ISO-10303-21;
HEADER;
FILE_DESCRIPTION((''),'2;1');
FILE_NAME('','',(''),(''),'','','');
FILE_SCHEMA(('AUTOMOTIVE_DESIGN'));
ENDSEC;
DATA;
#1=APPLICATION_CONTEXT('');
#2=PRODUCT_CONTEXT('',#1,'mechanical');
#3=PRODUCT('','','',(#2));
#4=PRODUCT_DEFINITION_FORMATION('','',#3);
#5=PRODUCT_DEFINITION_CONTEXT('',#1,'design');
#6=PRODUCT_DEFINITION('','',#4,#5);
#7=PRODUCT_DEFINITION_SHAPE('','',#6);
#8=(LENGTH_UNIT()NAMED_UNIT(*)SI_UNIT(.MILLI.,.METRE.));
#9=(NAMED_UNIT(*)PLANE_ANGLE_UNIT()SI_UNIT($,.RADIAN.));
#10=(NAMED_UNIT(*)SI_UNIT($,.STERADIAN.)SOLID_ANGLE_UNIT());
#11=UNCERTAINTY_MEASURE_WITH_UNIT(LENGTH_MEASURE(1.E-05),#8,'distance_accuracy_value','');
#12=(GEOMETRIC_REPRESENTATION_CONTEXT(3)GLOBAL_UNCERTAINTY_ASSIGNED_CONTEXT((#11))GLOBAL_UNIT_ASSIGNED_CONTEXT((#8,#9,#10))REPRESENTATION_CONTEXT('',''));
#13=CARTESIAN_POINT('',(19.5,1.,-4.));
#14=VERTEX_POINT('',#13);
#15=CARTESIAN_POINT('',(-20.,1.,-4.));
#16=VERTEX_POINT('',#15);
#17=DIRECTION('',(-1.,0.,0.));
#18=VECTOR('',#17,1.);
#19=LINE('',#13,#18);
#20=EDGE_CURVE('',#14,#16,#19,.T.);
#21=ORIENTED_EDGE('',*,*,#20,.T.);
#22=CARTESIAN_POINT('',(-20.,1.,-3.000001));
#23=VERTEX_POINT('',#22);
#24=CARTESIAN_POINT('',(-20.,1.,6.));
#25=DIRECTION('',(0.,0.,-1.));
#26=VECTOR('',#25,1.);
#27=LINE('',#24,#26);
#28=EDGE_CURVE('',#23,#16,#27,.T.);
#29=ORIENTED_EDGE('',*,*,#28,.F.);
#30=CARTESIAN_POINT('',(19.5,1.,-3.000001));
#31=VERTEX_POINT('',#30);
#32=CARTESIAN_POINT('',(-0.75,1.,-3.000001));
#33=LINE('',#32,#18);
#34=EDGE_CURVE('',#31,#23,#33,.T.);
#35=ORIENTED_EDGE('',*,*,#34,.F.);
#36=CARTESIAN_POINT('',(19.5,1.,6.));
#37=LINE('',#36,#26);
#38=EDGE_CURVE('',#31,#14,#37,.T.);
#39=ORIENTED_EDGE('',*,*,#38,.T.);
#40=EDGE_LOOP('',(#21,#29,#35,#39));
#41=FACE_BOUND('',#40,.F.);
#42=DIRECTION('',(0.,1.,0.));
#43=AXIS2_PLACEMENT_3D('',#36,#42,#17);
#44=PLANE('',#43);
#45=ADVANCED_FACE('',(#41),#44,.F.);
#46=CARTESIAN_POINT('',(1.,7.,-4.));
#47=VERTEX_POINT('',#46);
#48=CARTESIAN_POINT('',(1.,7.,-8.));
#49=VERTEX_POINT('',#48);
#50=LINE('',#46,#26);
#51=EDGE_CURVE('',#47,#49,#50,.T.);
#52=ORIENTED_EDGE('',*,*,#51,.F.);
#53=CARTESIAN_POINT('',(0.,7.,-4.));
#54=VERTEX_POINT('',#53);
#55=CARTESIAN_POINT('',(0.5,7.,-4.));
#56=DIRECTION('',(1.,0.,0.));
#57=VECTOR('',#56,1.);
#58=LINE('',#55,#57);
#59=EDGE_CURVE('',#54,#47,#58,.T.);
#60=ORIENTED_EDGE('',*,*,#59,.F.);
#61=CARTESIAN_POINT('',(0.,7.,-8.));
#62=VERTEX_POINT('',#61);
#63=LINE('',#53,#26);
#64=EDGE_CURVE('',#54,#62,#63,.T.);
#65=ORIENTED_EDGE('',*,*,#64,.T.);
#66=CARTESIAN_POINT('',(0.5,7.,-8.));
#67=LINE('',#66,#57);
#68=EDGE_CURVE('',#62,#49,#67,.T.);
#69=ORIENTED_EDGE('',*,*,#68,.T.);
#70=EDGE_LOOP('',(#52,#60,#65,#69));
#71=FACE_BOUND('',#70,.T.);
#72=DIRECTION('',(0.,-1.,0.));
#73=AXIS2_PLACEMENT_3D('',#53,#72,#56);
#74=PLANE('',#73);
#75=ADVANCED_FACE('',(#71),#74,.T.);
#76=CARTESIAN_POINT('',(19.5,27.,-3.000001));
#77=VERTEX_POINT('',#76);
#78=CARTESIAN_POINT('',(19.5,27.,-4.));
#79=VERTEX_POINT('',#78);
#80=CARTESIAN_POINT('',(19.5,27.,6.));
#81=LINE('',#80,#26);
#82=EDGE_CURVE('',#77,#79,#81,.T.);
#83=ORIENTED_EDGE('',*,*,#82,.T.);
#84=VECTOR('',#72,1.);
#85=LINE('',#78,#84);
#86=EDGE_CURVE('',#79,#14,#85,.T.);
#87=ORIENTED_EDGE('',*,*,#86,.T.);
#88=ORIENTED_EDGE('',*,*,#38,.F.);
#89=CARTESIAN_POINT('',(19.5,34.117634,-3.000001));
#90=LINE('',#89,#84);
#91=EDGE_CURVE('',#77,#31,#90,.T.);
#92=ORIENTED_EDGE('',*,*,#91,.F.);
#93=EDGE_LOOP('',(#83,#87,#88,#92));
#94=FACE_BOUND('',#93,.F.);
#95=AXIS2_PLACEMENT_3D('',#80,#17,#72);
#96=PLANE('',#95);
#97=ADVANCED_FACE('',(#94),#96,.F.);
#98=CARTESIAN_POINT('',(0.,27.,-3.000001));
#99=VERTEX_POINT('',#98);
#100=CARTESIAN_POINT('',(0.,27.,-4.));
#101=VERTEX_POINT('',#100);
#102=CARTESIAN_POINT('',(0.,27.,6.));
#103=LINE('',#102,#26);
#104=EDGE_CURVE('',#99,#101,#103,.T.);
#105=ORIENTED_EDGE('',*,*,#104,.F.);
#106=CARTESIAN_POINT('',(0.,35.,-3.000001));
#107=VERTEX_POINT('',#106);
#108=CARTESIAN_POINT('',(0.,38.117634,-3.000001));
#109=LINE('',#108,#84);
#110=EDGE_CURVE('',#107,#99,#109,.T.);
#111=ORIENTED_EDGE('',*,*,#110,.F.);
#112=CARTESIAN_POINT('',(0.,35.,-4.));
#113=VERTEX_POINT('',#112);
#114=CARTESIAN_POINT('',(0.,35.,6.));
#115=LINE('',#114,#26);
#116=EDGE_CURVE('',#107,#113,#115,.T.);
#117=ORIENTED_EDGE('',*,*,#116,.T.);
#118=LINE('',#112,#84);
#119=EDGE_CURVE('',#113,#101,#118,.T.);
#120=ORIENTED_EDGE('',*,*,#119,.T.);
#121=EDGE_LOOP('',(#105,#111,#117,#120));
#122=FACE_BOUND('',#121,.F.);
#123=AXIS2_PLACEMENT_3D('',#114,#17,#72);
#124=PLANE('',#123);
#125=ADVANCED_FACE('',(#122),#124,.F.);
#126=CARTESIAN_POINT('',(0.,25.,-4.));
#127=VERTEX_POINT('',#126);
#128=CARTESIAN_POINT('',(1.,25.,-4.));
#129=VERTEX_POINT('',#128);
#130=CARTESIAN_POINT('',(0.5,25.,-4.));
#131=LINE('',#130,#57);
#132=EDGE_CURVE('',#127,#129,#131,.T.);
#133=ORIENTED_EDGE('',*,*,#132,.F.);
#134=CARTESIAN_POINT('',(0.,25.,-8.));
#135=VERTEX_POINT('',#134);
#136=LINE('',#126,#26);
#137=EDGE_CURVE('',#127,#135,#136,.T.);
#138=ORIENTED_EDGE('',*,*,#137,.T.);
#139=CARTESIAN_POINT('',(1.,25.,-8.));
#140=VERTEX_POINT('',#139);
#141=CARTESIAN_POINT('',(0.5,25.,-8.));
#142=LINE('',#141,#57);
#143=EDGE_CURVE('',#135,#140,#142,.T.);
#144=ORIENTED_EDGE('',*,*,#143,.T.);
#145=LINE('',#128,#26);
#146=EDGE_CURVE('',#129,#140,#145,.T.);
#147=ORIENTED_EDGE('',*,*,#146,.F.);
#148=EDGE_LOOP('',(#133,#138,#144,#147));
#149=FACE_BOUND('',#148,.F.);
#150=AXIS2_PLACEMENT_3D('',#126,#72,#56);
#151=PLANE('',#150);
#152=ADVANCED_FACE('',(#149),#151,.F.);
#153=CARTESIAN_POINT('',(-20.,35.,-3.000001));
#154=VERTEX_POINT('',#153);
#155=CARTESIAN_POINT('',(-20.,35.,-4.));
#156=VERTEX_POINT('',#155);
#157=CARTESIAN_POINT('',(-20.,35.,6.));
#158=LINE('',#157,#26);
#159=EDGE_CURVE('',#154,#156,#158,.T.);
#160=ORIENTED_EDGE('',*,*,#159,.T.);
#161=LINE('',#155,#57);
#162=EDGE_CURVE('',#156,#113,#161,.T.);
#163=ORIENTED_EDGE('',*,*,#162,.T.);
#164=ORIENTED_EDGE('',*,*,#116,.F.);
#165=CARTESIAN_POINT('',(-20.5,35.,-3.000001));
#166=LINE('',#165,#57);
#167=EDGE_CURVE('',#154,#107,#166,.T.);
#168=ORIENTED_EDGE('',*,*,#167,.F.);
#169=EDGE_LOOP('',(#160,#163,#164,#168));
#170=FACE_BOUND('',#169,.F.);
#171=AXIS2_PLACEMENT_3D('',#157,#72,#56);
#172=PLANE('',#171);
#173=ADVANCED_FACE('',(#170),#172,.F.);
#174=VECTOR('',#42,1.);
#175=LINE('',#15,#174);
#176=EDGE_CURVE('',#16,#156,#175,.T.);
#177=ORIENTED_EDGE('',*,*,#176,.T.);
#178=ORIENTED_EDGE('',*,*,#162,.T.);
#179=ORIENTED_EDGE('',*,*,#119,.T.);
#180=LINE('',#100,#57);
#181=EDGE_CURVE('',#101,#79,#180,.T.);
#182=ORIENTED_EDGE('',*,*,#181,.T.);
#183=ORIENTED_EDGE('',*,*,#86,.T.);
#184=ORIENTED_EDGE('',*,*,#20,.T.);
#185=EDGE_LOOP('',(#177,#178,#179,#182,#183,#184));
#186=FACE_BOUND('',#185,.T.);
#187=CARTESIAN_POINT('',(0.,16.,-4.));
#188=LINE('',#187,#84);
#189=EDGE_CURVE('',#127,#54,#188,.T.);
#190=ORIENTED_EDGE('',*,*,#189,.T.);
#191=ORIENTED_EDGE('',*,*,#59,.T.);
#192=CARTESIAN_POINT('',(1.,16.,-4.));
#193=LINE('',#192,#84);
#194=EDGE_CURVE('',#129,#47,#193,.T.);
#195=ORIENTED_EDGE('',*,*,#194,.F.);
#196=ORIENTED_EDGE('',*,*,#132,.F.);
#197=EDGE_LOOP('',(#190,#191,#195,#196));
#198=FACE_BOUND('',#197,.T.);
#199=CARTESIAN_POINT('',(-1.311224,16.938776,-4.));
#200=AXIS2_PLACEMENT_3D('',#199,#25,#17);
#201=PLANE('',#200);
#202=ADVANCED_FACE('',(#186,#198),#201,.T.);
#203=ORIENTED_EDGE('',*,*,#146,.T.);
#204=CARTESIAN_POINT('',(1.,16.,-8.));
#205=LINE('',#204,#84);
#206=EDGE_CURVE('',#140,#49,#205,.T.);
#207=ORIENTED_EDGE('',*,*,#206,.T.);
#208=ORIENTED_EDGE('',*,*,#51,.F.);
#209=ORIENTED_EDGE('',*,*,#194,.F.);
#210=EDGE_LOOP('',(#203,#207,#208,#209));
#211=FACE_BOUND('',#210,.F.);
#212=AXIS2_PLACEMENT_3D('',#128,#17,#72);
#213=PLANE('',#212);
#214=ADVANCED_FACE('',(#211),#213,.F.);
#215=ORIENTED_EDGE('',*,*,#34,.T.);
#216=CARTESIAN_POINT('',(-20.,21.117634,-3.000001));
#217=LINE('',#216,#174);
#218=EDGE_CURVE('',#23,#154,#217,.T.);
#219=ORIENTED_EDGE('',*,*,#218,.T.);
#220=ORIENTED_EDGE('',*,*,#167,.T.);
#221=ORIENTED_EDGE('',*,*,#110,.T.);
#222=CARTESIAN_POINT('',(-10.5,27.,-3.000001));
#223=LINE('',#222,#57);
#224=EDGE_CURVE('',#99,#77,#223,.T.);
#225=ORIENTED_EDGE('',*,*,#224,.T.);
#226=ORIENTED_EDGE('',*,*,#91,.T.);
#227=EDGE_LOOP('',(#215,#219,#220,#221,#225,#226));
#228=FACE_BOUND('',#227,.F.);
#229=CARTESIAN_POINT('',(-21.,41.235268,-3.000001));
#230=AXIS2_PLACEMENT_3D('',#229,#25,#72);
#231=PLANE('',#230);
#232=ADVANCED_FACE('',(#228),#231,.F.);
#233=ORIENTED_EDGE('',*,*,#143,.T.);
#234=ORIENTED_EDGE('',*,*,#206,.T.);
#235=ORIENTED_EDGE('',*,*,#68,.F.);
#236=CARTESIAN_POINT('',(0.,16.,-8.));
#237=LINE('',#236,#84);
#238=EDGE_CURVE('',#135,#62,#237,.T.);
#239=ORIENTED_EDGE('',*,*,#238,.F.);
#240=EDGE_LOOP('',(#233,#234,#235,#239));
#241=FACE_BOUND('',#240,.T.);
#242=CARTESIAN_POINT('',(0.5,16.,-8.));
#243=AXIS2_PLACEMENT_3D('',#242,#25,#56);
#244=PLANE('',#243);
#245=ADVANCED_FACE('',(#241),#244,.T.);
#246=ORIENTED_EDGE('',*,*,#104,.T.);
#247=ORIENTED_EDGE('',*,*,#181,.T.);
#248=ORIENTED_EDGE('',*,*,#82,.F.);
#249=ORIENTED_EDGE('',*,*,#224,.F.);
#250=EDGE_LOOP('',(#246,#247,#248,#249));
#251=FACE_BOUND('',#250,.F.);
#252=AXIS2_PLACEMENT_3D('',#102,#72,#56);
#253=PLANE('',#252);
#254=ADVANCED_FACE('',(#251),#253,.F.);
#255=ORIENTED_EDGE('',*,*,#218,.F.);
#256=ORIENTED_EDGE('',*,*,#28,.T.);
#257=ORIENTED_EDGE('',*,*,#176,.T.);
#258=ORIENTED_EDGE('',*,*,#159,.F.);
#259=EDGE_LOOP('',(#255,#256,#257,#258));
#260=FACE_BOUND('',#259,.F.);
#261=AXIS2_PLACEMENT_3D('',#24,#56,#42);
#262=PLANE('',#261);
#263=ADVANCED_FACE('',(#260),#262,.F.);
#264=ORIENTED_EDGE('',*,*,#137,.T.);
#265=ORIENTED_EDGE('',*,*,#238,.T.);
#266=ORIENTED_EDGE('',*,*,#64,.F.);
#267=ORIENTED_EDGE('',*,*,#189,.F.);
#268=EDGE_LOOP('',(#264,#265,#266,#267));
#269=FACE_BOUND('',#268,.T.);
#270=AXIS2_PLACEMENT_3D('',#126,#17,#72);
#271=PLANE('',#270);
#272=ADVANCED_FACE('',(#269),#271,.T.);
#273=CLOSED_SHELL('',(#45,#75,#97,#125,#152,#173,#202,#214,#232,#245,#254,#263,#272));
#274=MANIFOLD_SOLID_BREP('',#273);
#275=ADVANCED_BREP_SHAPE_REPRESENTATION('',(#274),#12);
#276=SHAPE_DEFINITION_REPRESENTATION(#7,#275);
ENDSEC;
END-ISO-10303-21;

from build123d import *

# Parameters (mm, degrees)
SKETCH_W        = 41.5
SKETCH_H        = 36
PAD_DEPTH       = 6
POCKET_DEPTH    = 5
SKETCH002_W     = 19.5
SKETCH002_H     = 8
POCKET001_DEPTH = 6.001
POCKET002_DEPTH = 1
SKETCH005_W     = 1
SKETCH005_H     = 19
PAD001_DEPTH    = 4
PAD002_DEPTH    = 10
SKETCH007_W     = 52.700282
SKETCH007_H     = 20.841337
POCKET003_DEPTH = 41.501
SKETCH008_W     = 1
SKETCH008_H     = 18
PAD003_DEPTH    = 4


with BuildPart() as part:
    # Sketch → Pad (new body)
    with BuildSketch(Plane.XY):
        with Locations((-0.25, 18)):
            Rectangle(SKETCH_W, SKETCH_H)
    extrude(amount=PAD_DEPTH)

    # Sketch001 (on Face6 of Pad) → Pocket (cut)
    with BuildSketch(Plane.XY.offset(6)):
        Polygon((-19, 2), (18.5, 2), (18.5, 26), (-1, 26), (-1, 34), (-19, 34), align=None)
    extrude(amount=-POCKET_DEPTH, mode=Mode.SUBTRACT)

    # Sketch002 (on Face5 of Pocket) → Pocket001 (cut, through all)
    with BuildSketch(Plane.XY.offset(6)):
        with Locations((10.75, 32)):
            Rectangle(SKETCH002_W, SKETCH002_H)
    extrude(amount=-POCKET001_DEPTH, mode=Mode.SUBTRACT)

    # Sketch004 (on Face5 of Pocket001) → Pocket002 (cut)
    with BuildSketch(Plane.XY.offset(6)):
        Polygon((-20, 35), (0, 35), (0, 27), (19.5, 27), (19.5, 1), (-20, 1), align=None)
    extrude(amount=-POCKET002_DEPTH, mode=Mode.SUBTRACT)

    # Sketch005 (on Face22 of Pocket002) → Pad001 (join)
    with BuildSketch(Plane.XY.offset(1)):
        with Locations((-0.5, 16.5)):
            Rectangle(SKETCH005_W, SKETCH005_H)
    extrude(amount=PAD001_DEPTH)

    # Sketch006 (on Face5 of Pad001) → Pad002 (join)
    with BuildSketch(Plane.XY.offset(6)):
        Polygon((-20, 35), (0, 35), (0, 27), (19.5, 27), (19.5, 1), (-20, 1), align=None)
    extrude(amount=-PAD002_DEPTH)

    # Sketch007 (on Face2 of Pad002) → Pocket003 (cut, through all)
    with BuildSketch(Plane(origin=(-21, 0, 0), x_dir=(0, -1, 0), z_dir=(-1, 0, 0))):
        with Locations((-14.885127, 7.420668)):
            Rectangle(SKETCH007_W, SKETCH007_H)
    extrude(amount=-POCKET003_DEPTH, mode=Mode.SUBTRACT)

    # Sketch008 (on Face4 of Pocket003) → Pad003 (join)
    with BuildSketch(Plane(origin=(0, 0, -4), x_dir=(1, 0, 0), z_dir=(0, 0, -1))):
        with Locations((0.5, -16)):
            Rectangle(SKETCH008_W, SKETCH008_H)
    extrude(amount=PAD003_DEPTH)


solid = part.part
